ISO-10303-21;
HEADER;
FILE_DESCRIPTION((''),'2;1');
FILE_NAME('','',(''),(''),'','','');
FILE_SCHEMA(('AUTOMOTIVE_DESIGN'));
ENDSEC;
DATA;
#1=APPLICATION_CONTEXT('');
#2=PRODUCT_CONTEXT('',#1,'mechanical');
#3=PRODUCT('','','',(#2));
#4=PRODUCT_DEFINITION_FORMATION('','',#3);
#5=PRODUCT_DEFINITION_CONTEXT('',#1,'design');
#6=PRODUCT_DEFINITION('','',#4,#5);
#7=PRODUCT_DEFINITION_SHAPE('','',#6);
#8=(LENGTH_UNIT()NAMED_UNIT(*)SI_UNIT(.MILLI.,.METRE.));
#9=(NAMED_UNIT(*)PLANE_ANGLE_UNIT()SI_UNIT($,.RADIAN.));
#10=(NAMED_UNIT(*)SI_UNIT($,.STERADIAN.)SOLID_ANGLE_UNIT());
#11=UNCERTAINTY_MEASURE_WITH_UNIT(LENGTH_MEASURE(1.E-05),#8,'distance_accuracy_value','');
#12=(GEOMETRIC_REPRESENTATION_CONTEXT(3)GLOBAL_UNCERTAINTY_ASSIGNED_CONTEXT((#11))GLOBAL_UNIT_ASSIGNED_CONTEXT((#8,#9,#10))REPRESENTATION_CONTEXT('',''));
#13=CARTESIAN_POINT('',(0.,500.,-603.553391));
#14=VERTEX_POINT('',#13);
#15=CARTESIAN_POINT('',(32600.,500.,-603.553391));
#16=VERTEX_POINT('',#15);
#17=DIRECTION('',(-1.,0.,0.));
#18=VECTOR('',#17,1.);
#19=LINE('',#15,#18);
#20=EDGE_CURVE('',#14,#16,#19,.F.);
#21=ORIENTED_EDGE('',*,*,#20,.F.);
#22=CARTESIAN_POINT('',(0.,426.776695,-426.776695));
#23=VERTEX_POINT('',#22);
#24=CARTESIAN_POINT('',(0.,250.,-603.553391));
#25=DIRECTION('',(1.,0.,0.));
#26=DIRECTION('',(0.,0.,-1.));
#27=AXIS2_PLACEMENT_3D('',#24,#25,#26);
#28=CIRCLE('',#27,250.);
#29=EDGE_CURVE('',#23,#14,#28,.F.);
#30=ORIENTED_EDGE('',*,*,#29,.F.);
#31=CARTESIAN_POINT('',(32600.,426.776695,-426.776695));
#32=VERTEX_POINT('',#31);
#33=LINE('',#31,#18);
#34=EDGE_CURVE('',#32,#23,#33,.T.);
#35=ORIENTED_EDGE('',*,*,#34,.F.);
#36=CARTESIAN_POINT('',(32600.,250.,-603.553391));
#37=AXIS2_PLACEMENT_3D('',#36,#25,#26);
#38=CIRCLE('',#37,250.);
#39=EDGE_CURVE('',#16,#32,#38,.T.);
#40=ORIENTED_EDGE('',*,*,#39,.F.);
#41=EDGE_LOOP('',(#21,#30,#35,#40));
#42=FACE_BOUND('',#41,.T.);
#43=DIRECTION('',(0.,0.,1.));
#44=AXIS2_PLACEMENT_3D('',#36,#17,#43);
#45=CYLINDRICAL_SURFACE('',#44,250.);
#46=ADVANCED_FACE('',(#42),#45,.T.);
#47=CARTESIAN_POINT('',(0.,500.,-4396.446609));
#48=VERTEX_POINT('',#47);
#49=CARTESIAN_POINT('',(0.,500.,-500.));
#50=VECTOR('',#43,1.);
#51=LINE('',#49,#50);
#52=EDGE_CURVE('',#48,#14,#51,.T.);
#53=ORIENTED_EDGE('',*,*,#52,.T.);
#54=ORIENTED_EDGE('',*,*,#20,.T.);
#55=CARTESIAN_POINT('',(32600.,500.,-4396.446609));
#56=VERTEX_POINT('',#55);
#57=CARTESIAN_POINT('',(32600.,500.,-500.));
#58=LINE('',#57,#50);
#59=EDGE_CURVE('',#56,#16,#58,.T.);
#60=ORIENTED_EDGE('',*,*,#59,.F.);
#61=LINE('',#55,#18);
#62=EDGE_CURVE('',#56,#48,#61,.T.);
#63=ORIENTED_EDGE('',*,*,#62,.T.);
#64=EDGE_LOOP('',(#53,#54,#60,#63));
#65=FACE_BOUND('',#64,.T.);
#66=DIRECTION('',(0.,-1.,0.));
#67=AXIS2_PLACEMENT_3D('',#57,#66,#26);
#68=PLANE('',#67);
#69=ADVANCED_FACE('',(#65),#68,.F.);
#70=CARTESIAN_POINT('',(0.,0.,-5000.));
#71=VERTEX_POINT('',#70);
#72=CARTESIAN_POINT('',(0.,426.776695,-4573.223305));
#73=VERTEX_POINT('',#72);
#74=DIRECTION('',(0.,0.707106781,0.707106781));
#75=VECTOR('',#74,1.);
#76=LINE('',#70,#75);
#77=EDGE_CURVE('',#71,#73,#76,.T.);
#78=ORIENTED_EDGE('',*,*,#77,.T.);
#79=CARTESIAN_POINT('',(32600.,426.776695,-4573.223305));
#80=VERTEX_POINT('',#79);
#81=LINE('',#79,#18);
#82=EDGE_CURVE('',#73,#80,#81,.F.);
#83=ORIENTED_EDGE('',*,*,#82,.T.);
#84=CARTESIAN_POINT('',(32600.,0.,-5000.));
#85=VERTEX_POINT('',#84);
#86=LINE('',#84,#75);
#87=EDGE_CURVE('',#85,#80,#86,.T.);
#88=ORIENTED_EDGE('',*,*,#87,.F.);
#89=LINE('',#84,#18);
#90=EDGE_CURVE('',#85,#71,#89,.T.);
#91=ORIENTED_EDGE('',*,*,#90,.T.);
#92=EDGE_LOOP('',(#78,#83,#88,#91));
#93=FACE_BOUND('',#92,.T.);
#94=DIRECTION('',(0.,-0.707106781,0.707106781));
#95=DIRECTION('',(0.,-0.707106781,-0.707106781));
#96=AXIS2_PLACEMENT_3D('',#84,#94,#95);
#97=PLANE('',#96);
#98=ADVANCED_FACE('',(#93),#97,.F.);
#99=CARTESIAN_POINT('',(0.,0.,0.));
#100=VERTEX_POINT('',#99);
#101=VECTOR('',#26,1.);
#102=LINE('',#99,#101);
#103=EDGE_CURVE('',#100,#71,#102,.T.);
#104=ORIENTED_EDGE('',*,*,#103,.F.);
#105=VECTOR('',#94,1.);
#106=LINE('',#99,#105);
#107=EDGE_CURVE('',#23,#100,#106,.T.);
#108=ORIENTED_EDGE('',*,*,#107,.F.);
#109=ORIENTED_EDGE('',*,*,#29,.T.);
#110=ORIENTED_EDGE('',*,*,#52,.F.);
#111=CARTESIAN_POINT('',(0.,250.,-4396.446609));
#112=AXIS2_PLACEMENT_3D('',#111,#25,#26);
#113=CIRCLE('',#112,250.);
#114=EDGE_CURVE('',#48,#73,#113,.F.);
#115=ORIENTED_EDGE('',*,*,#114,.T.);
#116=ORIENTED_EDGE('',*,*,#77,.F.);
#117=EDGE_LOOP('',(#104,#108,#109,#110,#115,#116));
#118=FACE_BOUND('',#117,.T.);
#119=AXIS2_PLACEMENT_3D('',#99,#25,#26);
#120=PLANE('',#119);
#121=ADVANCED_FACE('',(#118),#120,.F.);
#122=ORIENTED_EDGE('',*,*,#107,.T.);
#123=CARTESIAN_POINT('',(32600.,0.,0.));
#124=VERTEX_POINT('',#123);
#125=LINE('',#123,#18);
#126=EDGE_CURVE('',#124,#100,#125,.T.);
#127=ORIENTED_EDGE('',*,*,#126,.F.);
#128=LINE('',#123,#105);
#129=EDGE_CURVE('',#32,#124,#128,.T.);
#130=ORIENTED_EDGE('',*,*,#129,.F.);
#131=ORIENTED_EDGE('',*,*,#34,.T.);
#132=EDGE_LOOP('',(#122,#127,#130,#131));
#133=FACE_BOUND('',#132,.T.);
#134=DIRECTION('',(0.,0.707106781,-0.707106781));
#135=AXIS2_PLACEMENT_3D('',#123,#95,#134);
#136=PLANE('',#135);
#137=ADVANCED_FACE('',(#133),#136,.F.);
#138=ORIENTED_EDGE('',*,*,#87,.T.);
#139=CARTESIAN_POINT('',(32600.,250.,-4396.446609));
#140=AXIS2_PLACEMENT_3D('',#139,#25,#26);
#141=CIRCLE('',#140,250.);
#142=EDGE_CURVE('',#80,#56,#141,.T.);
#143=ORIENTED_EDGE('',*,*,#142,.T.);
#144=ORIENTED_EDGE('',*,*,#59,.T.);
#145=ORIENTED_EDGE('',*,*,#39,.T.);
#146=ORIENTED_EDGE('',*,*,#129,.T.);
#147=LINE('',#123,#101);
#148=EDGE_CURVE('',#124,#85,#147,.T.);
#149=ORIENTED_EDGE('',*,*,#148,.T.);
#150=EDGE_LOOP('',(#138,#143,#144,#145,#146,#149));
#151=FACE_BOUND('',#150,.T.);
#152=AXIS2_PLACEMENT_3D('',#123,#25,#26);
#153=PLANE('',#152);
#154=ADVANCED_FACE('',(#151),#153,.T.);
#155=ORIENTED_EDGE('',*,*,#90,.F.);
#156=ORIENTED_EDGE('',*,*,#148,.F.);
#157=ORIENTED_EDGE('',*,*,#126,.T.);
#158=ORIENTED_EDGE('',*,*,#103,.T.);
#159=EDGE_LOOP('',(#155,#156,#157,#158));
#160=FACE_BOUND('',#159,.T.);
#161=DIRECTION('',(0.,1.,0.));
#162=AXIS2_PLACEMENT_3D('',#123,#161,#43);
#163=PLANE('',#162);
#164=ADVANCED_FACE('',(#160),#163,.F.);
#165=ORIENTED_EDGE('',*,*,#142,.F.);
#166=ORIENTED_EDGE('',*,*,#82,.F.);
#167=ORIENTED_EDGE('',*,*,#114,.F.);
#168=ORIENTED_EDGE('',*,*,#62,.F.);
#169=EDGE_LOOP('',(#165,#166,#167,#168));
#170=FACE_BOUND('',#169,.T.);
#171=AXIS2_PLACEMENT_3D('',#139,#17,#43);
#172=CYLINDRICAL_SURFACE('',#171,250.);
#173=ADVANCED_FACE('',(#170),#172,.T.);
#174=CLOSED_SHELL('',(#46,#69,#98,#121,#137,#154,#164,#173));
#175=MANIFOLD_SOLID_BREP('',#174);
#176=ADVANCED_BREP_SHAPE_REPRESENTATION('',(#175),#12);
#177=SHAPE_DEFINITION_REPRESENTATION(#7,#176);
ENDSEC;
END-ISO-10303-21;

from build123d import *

# Parameters (mm, degrees)
EXTRUDE_1_DEPTH = 32600
FILLET_1_R      = 250


with BuildPart() as part:
    # 草图1 → 凸台-拉伸1 (new body)
    with BuildSketch(Plane(origin=(0, 0, 0), x_dir=(0, 0, -1), z_dir=(1, 0, 0))):
        Polygon((0, 0), (5000, 0), (4500, 500), (500, 500), align=None)
    extrude(amount=EXTRUDE_1_DEPTH)

    # 圆角1
    fillet_1_edges = [part.edges().sort_by_distance(p)[0] for p in [
        (16300, 500, -500),
        (16300, 500, -4500),
    ]]
    fillet(fillet_1_edges, radius=FILLET_1_R)


solid = part.part
